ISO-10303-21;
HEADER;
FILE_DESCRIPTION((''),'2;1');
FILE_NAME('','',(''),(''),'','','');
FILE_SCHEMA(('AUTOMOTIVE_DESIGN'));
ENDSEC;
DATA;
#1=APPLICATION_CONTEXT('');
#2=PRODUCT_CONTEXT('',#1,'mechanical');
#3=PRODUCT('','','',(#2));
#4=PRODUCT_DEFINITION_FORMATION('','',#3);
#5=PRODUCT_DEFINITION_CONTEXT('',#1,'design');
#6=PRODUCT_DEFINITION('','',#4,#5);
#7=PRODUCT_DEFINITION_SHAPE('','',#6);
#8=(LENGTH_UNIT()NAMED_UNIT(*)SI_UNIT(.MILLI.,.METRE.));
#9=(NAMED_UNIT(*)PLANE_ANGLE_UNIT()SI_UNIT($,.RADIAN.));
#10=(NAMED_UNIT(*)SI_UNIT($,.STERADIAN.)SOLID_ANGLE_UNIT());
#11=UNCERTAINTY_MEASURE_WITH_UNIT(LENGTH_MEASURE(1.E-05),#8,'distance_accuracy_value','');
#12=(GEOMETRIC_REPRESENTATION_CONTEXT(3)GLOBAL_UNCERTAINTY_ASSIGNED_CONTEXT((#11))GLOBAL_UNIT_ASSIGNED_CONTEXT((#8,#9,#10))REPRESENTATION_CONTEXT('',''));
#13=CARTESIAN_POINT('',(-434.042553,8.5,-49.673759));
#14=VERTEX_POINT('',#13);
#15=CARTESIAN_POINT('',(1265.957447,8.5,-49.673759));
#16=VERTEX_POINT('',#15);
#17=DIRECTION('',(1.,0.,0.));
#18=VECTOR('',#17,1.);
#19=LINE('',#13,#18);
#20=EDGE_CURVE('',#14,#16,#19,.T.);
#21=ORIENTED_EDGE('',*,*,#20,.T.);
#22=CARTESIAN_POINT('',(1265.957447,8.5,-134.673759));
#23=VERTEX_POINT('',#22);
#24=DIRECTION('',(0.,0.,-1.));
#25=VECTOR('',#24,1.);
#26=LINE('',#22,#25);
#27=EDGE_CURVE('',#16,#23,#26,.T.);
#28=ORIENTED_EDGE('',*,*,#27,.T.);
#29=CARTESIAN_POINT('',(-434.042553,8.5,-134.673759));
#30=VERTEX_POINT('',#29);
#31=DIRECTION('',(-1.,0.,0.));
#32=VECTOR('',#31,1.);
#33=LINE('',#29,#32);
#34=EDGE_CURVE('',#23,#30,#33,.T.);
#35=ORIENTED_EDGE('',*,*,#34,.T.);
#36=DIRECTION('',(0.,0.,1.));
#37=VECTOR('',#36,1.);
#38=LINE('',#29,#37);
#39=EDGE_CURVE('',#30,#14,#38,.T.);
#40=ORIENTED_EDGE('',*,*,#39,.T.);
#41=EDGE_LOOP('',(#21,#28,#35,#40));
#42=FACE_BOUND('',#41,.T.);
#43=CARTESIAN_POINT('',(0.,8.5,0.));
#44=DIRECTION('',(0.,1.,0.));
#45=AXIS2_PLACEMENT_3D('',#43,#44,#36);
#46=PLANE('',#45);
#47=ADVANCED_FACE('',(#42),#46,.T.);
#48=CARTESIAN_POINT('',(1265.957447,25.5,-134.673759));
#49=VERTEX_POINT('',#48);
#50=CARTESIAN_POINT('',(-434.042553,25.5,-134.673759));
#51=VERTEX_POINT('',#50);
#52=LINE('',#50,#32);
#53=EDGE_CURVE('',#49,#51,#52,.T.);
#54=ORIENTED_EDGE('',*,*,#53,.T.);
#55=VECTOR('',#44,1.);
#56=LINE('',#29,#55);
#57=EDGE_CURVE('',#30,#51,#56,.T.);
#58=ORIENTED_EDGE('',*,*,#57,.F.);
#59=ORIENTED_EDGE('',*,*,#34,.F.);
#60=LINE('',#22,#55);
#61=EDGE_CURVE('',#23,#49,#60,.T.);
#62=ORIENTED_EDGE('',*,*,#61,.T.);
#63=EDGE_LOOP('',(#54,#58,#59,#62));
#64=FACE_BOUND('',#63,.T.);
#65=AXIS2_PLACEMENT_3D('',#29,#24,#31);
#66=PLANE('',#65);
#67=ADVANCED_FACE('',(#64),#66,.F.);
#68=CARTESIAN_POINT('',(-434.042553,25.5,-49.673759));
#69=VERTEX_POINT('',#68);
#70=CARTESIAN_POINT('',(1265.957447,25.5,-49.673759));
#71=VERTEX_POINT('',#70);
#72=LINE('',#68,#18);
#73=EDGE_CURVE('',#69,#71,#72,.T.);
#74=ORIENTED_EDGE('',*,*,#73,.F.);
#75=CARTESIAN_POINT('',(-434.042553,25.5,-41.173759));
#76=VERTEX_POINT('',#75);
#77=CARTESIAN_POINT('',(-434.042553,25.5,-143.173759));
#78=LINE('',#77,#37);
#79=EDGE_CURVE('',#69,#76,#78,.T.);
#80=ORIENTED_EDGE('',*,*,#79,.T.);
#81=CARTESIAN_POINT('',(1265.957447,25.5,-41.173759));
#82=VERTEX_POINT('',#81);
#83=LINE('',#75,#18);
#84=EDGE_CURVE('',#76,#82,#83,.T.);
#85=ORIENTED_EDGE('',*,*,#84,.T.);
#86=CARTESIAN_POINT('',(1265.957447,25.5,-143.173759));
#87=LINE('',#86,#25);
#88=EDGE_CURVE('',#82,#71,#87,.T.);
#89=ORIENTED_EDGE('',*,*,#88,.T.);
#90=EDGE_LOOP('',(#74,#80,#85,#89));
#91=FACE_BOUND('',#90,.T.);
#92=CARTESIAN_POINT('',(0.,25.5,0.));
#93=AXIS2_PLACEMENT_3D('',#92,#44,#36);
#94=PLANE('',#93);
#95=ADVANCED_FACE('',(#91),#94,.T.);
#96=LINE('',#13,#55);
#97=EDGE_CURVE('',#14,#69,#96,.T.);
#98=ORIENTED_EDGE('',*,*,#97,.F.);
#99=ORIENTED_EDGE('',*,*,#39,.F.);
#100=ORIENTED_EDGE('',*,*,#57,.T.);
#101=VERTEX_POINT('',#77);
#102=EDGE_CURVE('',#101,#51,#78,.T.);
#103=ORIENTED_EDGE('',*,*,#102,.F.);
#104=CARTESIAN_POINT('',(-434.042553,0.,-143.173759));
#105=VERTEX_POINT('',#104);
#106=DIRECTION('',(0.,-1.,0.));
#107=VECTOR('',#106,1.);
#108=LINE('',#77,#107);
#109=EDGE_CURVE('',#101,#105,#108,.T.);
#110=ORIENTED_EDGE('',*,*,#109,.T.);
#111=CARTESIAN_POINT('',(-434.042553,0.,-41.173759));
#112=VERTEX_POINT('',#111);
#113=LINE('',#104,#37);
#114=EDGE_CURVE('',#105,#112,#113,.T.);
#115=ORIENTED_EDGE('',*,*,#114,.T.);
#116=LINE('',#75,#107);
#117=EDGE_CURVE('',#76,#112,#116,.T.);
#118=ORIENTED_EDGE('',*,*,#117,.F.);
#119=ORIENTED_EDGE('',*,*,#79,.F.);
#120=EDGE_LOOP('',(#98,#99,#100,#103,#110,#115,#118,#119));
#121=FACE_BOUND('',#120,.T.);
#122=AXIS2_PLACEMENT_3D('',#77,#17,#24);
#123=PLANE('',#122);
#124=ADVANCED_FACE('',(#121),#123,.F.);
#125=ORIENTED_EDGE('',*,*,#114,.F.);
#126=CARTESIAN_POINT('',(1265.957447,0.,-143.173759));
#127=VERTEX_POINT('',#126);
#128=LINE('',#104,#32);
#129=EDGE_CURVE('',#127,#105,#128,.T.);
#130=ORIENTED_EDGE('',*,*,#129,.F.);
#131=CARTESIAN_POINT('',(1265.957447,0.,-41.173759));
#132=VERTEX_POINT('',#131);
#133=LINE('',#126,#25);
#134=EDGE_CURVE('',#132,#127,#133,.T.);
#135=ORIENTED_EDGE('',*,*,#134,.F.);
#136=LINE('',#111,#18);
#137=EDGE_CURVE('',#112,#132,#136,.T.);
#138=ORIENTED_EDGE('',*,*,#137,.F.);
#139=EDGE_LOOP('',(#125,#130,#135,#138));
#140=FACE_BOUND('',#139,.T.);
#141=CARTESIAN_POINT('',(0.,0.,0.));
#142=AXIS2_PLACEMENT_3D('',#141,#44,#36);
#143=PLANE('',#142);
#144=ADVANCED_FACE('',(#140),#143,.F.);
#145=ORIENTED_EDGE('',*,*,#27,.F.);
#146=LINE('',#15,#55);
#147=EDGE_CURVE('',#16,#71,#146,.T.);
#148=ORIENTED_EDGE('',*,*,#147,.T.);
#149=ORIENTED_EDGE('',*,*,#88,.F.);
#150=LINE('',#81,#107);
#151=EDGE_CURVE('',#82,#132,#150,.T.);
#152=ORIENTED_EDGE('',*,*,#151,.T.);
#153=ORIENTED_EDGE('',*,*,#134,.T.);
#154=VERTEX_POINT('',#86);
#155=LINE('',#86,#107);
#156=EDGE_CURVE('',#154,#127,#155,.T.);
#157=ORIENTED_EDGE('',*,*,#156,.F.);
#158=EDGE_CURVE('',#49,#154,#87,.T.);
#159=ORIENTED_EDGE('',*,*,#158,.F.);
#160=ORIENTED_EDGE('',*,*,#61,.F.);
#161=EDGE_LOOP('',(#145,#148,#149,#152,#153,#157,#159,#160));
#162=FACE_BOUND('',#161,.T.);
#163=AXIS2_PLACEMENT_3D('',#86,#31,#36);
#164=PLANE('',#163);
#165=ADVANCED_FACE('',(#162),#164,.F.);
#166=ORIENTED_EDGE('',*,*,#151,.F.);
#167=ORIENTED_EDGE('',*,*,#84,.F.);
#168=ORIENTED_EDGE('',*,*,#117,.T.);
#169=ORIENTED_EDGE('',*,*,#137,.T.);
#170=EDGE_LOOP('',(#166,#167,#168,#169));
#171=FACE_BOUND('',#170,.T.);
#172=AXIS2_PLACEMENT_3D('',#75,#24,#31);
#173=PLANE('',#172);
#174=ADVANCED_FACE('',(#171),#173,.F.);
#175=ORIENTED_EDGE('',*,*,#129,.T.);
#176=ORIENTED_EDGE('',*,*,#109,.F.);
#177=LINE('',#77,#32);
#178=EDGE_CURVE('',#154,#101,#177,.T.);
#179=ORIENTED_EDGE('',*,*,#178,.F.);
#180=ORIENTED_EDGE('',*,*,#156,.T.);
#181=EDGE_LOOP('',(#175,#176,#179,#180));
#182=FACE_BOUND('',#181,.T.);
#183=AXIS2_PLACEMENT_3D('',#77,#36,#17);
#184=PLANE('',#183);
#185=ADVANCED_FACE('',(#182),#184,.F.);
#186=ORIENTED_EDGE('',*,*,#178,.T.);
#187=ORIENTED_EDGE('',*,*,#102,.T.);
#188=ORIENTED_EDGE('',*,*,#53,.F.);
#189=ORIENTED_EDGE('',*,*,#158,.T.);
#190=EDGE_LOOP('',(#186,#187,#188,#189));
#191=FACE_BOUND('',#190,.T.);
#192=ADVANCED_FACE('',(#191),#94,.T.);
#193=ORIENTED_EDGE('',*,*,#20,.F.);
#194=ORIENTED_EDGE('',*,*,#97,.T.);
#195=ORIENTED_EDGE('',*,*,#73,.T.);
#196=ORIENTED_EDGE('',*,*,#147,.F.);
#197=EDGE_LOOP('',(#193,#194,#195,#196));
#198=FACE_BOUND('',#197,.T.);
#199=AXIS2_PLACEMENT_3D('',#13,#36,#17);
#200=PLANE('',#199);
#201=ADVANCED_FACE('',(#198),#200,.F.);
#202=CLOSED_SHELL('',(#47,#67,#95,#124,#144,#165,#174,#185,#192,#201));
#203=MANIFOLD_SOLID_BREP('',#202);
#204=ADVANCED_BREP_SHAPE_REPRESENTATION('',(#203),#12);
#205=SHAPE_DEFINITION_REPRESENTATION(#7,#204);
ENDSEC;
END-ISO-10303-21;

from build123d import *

# Parameters (mm, degrees)
SKETCH_1_W          = 1000
SKETCH_1_H          = 60
EXTRUDE_1_DEPTH     = 15
SKETCH_2_W          = 1000
SKETCH_2_H          = 50
CUT_EXTRUDE_1_DEPTH = 10
SCALE_1_SCALE       = 1.7


with BuildPart() as part:
    # 草图1 → 凸台-拉伸1 (new body)
    with BuildSketch(Plane(origin=(0, 0, 0), x_dir=(1, 0, 0), z_dir=(0, 1, 0))):
        with Locations((244.680851064, 54.219858156)):
            Rectangle(SKETCH_1_W, SKETCH_1_H)
    extrude(amount=EXTRUDE_1_DEPTH)

    # 草图2 → 切除-拉伸1 (cut)
    with BuildSketch(Plane(origin=(0, 15, 0), x_dir=(1, 0, 0), z_dir=(0, 1, 0))):
        with Locations((244.680851064, 54.219858156)):
            Rectangle(SKETCH_2_W, SKETCH_2_H)
    extrude(amount=-CUT_EXTRUDE_1_DEPTH, mode=Mode.SUBTRACT)


with BuildPart() as part_1:
    # 缩放比例1: scaled about (0, 0, 0)
    add(part.part.scale(SCALE_1_SCALE))


solid = part_1.part
